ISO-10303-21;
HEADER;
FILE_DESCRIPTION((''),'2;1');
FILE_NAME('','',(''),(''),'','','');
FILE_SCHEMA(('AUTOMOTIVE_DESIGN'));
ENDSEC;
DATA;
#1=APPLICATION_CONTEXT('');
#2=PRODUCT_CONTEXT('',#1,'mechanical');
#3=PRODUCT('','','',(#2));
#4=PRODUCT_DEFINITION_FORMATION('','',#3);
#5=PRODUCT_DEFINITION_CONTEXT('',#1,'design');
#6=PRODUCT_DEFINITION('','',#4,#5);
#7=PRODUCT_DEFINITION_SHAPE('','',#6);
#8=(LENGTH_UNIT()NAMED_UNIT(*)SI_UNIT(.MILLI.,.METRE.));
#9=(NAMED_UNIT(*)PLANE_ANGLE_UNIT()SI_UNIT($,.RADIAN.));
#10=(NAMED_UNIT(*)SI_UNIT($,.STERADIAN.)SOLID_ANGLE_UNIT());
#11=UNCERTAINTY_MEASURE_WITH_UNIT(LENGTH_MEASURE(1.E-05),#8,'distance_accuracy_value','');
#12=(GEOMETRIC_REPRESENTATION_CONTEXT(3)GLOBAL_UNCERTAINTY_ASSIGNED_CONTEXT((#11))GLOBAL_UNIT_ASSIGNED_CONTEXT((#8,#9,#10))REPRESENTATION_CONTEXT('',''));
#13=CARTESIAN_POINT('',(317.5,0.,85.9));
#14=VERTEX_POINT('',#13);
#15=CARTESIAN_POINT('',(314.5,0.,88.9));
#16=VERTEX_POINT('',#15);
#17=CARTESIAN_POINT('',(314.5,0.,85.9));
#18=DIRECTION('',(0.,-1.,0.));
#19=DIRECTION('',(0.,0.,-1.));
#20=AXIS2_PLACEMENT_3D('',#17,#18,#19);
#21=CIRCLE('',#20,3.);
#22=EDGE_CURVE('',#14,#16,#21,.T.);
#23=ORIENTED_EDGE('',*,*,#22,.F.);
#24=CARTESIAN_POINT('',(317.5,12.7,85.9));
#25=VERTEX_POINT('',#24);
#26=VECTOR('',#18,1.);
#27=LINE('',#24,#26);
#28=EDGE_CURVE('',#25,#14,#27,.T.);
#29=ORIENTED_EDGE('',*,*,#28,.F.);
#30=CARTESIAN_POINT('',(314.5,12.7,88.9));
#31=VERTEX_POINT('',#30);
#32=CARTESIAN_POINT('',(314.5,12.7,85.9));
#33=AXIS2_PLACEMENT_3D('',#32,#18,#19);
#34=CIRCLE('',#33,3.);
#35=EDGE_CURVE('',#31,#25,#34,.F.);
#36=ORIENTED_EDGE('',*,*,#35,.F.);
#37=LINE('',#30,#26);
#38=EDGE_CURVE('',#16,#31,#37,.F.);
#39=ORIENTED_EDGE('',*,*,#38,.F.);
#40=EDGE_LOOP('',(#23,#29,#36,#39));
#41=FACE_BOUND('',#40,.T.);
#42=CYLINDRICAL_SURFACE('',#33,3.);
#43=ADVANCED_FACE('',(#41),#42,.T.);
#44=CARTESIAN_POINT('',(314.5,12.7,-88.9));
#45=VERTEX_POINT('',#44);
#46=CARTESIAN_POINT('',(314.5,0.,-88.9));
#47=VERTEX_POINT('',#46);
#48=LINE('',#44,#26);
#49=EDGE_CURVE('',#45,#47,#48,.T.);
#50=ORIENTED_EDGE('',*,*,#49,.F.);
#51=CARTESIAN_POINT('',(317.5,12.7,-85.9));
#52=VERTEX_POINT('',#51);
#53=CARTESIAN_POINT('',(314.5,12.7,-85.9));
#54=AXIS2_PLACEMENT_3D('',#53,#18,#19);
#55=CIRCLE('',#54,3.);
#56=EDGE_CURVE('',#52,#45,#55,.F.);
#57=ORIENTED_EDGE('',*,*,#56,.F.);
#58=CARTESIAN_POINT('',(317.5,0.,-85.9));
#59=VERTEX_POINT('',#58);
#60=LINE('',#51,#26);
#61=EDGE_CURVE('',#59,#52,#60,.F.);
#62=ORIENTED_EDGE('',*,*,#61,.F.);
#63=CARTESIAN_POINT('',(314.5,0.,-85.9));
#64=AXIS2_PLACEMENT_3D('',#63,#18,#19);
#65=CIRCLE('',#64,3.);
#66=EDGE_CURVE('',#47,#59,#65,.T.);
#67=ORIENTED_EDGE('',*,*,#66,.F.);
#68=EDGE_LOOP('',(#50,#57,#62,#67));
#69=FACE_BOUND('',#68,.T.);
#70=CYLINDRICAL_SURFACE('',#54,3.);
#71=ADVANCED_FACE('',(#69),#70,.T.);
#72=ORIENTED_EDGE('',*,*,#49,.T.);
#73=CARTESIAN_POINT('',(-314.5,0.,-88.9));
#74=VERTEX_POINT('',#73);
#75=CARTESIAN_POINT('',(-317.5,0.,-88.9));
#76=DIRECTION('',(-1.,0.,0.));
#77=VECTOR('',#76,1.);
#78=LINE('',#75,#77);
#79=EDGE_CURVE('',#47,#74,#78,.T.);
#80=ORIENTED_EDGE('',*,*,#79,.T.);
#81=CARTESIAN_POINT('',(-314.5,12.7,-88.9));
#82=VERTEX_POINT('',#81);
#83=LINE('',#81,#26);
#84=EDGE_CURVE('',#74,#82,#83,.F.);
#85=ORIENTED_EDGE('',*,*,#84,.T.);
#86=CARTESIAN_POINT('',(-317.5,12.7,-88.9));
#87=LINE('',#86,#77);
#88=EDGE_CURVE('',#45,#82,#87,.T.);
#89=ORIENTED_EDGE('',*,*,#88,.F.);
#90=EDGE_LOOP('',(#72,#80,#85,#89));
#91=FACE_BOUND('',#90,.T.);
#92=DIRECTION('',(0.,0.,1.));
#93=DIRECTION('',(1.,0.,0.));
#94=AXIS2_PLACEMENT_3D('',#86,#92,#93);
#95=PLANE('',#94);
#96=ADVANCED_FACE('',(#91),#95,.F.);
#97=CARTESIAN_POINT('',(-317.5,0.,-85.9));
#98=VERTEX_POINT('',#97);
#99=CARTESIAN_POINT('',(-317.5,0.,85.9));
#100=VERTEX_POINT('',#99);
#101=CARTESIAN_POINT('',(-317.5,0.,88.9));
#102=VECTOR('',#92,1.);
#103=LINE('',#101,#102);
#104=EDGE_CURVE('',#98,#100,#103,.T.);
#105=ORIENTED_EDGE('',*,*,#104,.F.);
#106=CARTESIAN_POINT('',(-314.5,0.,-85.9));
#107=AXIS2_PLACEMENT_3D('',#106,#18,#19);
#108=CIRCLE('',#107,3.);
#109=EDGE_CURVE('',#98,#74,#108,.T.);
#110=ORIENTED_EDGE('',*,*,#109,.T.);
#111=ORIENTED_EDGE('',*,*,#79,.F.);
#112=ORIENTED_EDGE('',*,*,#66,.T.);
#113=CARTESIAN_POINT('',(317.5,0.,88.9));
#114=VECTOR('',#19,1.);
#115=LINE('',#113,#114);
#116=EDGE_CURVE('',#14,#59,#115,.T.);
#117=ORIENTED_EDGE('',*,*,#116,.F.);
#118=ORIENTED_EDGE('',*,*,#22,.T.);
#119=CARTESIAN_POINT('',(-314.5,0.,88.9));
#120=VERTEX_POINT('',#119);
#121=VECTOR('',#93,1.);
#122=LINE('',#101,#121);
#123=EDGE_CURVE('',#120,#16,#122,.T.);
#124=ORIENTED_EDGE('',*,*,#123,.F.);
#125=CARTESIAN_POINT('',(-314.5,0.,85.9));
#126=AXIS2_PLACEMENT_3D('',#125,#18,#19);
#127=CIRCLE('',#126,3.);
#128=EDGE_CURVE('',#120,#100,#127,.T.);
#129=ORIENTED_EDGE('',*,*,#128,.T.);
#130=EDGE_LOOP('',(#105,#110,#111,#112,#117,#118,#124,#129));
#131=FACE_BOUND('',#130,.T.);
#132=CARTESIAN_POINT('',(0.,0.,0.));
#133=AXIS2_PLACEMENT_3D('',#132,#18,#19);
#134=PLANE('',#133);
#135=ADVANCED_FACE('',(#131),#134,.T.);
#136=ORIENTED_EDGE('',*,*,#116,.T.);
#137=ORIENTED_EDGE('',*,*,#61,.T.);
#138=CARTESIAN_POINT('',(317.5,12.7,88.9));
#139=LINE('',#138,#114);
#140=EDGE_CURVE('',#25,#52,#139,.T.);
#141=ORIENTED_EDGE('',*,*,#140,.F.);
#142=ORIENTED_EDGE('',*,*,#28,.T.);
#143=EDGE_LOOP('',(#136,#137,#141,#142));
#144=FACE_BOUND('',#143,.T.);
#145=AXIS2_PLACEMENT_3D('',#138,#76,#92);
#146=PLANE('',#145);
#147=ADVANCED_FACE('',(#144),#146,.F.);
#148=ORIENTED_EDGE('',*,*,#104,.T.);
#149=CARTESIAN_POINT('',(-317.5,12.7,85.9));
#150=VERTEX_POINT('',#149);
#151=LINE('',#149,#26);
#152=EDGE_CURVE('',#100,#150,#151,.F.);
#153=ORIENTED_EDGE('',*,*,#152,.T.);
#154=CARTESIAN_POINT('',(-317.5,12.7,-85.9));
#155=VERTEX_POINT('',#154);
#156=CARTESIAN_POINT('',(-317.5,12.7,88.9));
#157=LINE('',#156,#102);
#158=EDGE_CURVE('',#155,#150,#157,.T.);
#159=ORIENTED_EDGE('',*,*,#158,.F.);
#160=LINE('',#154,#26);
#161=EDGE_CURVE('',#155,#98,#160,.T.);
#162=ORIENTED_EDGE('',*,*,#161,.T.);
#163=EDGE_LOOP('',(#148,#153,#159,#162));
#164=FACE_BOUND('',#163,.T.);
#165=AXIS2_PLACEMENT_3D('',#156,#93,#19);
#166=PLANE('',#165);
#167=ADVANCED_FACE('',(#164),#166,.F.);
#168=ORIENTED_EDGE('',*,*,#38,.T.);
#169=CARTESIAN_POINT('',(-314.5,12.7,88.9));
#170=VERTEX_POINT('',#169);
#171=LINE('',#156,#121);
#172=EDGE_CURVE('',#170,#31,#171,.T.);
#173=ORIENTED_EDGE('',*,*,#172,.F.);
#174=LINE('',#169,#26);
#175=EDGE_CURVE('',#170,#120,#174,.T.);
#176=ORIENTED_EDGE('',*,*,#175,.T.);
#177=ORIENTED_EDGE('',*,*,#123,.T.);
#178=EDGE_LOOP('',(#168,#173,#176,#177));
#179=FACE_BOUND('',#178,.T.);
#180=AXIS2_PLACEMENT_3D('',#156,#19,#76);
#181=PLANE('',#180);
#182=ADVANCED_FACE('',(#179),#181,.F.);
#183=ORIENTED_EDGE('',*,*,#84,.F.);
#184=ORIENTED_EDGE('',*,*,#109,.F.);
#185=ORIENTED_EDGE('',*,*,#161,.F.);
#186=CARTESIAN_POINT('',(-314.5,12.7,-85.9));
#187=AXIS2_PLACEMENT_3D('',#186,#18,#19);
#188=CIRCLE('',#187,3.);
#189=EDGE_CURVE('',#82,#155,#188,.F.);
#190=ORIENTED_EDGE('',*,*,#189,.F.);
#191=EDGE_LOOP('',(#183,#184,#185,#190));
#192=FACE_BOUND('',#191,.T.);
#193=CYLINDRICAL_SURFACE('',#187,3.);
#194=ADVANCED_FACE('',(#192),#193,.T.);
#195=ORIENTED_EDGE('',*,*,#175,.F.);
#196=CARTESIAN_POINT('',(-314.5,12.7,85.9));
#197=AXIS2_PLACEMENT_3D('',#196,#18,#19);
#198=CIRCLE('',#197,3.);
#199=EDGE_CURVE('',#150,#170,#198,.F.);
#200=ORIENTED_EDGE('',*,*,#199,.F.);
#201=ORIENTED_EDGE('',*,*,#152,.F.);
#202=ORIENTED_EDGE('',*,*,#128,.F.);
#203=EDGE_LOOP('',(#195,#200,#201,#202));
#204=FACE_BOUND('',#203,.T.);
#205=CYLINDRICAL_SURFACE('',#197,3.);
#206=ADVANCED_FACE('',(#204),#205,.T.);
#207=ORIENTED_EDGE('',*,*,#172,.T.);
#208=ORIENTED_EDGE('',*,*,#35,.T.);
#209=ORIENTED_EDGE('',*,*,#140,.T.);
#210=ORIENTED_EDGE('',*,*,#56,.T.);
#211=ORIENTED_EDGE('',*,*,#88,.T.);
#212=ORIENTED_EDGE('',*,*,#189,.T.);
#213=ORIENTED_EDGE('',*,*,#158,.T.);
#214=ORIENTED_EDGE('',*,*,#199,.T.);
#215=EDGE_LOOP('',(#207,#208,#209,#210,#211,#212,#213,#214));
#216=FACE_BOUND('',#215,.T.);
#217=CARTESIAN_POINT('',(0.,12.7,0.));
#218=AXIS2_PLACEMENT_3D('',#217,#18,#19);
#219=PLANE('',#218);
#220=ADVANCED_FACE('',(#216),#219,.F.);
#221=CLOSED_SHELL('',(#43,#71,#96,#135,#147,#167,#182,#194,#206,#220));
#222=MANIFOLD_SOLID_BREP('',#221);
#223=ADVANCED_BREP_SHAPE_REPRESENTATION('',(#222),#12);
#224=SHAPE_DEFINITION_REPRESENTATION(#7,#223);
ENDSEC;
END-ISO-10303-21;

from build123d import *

# Parameters (mm, degrees)
SKETCH1_W           = 635
SKETCH1_H           = 177.8
BOSS_EXTRUDE1_DEPTH = 12.7
FILLET1_R           = 3


with BuildPart() as part:
    # Sketch1 → Boss-Extrude1 (new body)
    with BuildSketch(Plane(origin=(0, 0, 0), x_dir=(1, 0, 0), z_dir=(0, 1, 0))):
        Rectangle(SKETCH1_W, SKETCH1_H)
    extrude(amount=BOSS_EXTRUDE1_DEPTH)

    # Fillet1
    fillet1_edges = [part.edges().sort_by_distance(p)[0] for p in [
        (317.5, 6.35, 88.9),
        (-317.5, 6.35, 88.9),
        (-317.5, 6.35, -88.9),
        (317.5, 6.35, -88.9),
    ]]
    fillet(fillet1_edges, radius=FILLET1_R)


solid = part.part
